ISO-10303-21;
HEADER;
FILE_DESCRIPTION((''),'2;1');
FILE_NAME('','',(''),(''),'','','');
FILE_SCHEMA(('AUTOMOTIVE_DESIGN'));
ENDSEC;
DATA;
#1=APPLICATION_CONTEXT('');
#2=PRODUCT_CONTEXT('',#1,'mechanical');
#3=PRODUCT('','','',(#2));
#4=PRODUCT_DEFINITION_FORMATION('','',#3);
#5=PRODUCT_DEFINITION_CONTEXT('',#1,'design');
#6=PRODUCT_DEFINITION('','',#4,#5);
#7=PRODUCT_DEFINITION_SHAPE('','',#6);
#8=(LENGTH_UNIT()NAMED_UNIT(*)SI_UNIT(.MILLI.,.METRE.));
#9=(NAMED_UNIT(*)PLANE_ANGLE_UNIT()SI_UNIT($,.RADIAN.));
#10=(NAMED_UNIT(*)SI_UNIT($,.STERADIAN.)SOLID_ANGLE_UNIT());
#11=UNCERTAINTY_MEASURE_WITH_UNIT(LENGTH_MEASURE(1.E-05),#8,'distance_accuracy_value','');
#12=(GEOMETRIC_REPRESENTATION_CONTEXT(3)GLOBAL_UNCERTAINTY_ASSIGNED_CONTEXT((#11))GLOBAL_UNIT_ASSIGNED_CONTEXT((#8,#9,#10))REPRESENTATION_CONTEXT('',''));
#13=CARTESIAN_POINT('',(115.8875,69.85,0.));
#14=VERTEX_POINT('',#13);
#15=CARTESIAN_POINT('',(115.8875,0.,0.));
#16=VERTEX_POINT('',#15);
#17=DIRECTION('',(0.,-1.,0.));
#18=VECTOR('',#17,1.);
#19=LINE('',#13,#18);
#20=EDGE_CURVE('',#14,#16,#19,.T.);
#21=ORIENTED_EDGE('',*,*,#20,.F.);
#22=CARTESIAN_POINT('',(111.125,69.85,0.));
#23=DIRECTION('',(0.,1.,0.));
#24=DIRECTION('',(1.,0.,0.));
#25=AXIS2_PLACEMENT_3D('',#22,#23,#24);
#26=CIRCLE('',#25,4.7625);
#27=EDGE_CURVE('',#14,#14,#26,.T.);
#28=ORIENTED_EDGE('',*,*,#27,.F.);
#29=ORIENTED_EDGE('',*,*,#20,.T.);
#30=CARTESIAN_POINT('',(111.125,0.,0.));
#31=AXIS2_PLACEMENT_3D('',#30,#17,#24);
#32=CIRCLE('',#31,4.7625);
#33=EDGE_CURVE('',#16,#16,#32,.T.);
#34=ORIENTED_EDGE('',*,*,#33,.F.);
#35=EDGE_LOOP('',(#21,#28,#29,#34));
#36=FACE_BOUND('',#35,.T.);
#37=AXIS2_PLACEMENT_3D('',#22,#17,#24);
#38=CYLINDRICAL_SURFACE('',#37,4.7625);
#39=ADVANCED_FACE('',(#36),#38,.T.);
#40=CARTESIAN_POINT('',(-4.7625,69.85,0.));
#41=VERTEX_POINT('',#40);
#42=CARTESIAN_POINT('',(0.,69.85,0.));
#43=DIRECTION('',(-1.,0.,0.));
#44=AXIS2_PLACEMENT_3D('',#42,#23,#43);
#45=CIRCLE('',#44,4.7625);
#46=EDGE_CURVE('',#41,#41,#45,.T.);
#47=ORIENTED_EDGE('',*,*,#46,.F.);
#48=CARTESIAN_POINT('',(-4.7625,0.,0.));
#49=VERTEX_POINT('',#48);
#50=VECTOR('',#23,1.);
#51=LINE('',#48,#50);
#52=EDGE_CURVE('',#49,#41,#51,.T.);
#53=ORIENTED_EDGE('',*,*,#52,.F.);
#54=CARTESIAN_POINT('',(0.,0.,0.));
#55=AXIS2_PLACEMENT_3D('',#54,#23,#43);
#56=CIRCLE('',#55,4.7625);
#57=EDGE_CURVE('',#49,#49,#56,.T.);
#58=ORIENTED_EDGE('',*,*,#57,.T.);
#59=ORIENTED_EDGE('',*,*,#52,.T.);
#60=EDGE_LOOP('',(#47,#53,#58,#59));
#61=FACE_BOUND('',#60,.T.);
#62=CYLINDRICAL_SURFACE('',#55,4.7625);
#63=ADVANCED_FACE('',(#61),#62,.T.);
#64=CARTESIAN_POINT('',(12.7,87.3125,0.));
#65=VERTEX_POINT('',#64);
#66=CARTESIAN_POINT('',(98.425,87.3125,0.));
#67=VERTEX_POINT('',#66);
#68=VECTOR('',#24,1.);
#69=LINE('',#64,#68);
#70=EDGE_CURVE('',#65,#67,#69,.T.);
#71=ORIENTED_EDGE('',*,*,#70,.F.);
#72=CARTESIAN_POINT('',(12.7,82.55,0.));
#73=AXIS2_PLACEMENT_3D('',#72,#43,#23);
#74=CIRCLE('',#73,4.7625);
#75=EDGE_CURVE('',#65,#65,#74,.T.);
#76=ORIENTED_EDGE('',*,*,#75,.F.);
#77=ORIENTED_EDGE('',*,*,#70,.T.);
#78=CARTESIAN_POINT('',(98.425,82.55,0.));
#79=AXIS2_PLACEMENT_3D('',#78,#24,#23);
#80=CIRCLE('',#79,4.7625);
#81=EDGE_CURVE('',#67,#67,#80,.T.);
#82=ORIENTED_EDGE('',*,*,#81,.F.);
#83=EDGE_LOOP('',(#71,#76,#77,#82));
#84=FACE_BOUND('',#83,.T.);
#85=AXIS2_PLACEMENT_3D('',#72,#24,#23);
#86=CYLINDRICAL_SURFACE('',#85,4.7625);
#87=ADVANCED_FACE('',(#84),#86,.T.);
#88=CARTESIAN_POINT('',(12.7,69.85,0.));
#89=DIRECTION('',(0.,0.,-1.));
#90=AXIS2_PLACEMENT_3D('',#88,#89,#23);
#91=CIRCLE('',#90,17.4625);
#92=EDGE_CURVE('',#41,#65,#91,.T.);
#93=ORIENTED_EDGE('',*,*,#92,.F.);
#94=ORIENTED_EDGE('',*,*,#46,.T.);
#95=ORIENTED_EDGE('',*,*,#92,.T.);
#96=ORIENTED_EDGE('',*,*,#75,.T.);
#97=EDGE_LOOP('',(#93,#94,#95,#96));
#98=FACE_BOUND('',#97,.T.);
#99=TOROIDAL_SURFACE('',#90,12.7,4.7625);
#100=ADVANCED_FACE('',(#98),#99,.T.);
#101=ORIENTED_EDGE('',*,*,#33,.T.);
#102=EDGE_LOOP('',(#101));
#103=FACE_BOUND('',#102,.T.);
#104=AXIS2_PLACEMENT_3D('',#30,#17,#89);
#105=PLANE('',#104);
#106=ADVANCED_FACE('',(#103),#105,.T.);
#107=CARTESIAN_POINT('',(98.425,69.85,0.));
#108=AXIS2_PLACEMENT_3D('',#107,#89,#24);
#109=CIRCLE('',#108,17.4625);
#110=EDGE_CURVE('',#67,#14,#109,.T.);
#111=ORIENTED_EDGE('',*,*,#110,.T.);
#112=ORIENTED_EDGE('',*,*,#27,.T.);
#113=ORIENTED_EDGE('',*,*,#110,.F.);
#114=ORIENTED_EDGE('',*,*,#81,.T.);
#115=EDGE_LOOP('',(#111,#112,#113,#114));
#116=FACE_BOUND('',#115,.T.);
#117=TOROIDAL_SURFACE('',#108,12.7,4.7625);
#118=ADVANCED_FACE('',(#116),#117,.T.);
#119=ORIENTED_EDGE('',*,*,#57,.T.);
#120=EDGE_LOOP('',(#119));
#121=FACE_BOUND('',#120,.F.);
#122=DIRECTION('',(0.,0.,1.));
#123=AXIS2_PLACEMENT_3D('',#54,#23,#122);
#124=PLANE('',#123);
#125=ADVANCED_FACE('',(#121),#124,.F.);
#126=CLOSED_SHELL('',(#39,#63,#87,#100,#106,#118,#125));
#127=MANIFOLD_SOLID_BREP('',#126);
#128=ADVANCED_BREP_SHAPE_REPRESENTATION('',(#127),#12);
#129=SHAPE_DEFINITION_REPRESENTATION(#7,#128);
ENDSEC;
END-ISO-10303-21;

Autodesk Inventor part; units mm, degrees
ref_plane "YZ Plane" through (0, 0, 0) normal (1, 0, 0) x (0, 1, 0)
ref_plane "XZ Plane" through (0, 0, 0) normal (0, 1, 0) x (-1, 0, 0)
ref_plane "XY Plane" through (0, 0, 0) normal (0, 0, 1) x (1, 0, 0)
sketch "Sketch1" plane through (0, 0, 0) normal (0, 0, 1) x (1, 0, 0)
  line L0 (0, 0) -> (0, 69.85)
  line L1 (12.7, 82.55) -> (98.425, 82.55)
  line L2 (111.125, 69.85) -> (111.125, 0)
  arc A0 (12.7, 82.55) -> (0, 69.85) centre (12.7, 69.85) ccw
  arc A1 (111.125, 69.85) -> (98.425, 82.55) centre (98.425, 69.85) ccw
  point P0 (0, 82.55)
  point P1 (111.125, 82.55)
  dimension "d0" = 82.55
  dimension "d1" = 111.125
  dimension "d2" = 82.55
  dimension "d4" = 12.7
sketch "Sketch2" plane through (0, 0, 0) normal (0, 1, 0) x (-1, 0, 0)
  circle A0 centre (0, 0) radius 4.7625
  dimension "d3" = 9.525
sweep "Sweep1" add profiles "Sketch2" path "Sketch1"
thread "Thread1"
thread "Thread2"
properties part number "u-bolt handle"
